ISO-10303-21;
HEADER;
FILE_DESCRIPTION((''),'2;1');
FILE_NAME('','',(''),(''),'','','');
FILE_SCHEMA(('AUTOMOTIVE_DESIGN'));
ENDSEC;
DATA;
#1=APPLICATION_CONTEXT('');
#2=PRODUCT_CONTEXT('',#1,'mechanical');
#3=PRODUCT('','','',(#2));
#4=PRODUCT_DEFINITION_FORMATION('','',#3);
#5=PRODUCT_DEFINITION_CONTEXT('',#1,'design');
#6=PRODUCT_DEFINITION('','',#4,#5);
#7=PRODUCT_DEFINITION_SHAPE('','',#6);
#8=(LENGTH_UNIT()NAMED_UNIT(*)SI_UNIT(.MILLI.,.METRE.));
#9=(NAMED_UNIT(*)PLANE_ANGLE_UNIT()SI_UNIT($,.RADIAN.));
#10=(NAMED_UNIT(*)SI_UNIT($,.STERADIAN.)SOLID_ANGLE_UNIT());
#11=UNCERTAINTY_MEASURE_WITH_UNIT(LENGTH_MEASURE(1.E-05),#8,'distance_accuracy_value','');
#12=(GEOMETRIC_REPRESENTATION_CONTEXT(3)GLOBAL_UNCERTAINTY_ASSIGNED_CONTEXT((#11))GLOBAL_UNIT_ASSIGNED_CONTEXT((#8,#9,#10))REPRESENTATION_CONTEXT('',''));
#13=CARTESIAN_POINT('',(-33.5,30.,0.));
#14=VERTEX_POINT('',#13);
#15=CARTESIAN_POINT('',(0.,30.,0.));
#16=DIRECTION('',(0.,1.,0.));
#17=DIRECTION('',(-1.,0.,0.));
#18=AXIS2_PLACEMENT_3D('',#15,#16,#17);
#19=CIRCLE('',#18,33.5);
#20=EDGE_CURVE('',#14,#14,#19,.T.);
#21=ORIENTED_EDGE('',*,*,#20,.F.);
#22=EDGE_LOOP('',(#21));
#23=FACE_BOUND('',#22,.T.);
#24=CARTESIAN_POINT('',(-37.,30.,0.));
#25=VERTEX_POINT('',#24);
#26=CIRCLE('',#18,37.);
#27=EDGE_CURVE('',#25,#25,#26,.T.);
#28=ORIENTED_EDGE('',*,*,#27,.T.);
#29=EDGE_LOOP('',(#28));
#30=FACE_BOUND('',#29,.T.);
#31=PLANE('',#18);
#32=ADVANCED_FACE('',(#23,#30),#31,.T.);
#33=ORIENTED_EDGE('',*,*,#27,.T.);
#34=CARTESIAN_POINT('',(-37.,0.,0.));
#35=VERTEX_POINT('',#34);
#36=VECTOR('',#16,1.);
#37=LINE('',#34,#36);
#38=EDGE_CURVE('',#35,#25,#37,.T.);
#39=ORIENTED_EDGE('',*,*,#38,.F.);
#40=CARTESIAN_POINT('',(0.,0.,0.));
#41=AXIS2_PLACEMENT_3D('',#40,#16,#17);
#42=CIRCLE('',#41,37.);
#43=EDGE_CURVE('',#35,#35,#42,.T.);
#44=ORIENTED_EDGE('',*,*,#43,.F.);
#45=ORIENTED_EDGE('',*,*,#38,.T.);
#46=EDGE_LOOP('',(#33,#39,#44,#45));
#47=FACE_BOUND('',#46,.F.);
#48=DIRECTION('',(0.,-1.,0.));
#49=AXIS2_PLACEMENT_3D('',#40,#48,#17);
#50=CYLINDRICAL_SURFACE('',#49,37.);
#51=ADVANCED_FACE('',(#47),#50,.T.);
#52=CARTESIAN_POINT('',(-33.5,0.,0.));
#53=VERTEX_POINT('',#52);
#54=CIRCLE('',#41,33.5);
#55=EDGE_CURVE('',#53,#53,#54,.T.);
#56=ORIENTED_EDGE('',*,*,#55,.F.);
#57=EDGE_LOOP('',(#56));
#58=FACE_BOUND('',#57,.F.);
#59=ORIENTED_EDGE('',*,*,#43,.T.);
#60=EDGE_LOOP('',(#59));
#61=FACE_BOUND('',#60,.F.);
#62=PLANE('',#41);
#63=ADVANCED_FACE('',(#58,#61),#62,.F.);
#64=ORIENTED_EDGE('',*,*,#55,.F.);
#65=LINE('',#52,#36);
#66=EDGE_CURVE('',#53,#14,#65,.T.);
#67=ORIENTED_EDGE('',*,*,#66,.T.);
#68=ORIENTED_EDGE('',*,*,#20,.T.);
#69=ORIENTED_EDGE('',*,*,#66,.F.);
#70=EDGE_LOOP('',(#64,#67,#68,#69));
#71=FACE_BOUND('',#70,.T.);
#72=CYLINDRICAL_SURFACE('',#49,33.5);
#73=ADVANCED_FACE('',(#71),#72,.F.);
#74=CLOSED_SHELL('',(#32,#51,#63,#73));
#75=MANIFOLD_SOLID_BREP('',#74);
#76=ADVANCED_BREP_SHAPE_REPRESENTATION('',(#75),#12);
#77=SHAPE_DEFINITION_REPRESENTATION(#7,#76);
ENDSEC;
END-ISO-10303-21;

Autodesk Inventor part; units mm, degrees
ref_plane "YZ Plane" through (0, 0, 0) normal (1, 0, 0) x (0, 1, 0)
ref_plane "XZ Plane" through (0, 0, 0) normal (0, 1, 0) x (-1, 0, 0)
ref_plane "XY Plane" through (0, 0, 0) normal (0, 0, 1) x (1, 0, 0)
sketch "Esquisse1" plane through (0, 0, 0) normal (0, 1, 0) x (-1, 0, 0)
  circle A0 centre (0, 0) radius 37
  circle A1 centre (0, 0) radius 33.5
  dimension "d0" = 74
  dimension "d1" = 67
extrude "Extrusion1" add sketch "Esquisse1" along normal blind 30
properties part number "Bague-65"
